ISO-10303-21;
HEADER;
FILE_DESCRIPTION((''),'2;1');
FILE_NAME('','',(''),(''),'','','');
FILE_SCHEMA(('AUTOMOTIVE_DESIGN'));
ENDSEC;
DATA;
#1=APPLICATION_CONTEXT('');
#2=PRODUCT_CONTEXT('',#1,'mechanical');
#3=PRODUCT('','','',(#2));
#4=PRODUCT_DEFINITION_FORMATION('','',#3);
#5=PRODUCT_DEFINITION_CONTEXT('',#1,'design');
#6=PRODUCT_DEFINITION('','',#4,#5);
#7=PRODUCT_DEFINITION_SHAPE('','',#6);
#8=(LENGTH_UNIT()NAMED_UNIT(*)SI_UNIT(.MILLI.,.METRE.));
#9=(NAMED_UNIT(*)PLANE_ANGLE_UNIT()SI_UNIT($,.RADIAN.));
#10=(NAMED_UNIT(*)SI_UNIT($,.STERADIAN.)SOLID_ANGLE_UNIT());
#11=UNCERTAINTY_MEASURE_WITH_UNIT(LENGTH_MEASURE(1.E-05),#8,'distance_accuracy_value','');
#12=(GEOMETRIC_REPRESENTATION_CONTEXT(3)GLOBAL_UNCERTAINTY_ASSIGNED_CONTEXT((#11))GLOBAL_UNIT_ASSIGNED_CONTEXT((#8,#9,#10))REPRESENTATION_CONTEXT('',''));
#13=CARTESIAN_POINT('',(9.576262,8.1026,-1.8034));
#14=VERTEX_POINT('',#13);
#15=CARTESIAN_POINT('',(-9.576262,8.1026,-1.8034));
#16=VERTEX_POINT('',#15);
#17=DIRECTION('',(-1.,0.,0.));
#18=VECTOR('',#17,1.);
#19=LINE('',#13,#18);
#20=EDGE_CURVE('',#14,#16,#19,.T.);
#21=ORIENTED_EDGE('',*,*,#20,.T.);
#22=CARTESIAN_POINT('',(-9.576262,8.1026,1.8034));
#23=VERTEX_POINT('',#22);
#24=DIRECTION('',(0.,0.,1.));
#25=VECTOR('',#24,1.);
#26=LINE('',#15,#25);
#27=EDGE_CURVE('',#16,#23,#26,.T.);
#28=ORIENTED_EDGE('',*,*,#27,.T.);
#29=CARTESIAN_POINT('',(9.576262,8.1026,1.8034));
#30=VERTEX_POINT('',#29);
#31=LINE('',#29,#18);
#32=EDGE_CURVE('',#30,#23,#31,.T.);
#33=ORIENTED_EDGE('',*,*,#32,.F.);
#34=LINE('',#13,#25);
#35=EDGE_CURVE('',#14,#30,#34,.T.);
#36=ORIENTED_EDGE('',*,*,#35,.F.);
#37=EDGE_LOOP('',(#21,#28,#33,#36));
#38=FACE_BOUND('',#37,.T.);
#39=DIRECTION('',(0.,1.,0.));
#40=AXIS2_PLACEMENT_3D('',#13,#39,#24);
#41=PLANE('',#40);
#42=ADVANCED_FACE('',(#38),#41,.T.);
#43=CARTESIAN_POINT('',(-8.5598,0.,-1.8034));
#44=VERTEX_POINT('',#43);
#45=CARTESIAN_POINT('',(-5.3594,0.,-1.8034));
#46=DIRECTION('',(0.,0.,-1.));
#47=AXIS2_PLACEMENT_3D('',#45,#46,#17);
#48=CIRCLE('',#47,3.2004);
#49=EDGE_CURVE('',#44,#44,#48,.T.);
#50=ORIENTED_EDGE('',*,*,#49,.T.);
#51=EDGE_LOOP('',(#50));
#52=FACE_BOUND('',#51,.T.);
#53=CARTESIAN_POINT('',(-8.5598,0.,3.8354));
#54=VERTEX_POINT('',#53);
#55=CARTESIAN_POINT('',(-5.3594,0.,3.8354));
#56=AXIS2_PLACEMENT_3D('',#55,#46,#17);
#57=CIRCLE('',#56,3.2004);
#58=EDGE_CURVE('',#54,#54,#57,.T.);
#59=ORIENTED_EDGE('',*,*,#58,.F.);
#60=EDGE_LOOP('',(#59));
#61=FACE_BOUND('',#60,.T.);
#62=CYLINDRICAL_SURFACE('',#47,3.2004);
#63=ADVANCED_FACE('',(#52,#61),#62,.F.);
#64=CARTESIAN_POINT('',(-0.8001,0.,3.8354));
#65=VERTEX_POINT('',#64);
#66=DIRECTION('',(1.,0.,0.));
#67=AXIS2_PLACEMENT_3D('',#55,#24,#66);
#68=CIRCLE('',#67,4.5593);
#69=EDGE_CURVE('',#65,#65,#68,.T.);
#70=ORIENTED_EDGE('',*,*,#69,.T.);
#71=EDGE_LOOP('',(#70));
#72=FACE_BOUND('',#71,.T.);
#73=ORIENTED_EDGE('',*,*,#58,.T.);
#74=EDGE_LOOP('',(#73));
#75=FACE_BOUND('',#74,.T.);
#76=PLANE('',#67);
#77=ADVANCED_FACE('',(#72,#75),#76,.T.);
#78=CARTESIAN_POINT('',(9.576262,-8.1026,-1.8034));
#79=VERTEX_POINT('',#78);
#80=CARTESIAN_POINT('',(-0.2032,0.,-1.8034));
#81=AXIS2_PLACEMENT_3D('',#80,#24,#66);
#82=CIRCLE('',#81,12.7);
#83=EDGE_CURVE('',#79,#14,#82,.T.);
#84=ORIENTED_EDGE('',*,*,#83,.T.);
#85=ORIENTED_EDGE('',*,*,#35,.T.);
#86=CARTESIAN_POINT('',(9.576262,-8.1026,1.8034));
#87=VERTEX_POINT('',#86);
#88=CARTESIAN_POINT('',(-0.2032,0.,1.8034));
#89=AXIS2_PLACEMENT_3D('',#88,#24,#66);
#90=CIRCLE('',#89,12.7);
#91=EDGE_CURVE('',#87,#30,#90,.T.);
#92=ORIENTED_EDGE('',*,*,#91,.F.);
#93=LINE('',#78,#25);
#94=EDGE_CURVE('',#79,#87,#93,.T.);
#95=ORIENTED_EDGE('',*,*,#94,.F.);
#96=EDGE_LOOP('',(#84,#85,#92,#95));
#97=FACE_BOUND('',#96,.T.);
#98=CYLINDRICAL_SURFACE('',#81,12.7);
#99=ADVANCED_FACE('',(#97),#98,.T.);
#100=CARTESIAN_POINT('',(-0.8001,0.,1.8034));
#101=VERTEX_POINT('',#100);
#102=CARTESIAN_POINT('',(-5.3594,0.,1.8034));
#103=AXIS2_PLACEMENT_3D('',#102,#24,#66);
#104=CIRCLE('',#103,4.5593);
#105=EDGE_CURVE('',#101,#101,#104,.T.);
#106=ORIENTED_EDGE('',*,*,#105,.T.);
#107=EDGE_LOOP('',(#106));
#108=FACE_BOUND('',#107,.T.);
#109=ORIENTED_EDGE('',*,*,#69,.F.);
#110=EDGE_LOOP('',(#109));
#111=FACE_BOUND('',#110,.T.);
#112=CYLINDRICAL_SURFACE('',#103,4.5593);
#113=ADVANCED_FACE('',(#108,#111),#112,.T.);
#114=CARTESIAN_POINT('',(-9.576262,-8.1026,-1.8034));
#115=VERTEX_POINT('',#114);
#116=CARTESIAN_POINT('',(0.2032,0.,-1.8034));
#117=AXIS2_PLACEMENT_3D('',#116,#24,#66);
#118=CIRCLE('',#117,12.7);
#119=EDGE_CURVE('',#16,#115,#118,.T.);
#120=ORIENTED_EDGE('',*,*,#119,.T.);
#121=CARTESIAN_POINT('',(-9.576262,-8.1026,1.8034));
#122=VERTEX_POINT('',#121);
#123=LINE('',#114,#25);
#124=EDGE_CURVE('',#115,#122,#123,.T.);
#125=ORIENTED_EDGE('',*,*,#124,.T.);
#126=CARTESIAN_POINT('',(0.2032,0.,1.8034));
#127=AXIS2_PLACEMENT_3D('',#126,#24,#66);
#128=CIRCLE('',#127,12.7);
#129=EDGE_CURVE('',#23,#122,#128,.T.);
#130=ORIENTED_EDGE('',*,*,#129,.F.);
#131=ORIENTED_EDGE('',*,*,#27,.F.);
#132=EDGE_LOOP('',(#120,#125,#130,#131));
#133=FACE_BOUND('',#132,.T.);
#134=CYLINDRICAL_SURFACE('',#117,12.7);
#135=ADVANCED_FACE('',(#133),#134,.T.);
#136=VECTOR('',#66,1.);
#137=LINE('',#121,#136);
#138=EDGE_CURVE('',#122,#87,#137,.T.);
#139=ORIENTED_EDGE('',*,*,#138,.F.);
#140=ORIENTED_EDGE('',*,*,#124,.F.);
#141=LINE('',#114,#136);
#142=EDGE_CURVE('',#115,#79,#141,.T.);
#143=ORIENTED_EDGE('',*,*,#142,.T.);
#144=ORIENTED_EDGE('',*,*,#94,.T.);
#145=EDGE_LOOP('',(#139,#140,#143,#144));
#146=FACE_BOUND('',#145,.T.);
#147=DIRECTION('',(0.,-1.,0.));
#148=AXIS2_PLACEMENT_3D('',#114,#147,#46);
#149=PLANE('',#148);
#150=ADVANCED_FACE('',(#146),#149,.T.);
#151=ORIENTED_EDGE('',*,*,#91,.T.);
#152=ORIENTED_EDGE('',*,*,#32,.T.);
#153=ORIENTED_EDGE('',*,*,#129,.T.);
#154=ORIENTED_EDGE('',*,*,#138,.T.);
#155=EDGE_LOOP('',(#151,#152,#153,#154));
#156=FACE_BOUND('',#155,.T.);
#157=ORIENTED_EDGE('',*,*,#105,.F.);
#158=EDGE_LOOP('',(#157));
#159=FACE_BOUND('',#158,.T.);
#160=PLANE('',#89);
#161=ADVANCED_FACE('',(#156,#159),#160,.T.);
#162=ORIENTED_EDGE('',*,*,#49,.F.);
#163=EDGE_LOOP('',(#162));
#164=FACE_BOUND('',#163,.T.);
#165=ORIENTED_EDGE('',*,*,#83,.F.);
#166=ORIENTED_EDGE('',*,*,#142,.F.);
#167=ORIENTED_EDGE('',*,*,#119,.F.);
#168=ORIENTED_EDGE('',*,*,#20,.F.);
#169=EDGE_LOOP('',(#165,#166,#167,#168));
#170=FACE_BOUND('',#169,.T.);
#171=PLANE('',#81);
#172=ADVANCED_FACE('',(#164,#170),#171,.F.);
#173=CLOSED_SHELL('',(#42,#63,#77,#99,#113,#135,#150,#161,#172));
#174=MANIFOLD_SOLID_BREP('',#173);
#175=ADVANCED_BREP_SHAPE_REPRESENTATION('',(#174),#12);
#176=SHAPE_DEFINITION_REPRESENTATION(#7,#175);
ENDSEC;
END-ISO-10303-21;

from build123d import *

# Parameters (mm, degrees)
BOSS_EXTRUDE1_DEPTH = 3.6068
SKETCH2_W           = 4.5593
SKETCH2_H           = 2.032
HOLE1_D             = 6.4008
HOLE1_DEPTH         = 5.6388


with BuildPart() as part:
    # Sketch1 → Boss-Extrude1 (new body)
    with BuildSketch(Plane.XY.offset(1.8034)):
        with BuildLine():
            Line((9.576261807, 8.1026), (-9.576261807, 8.1026))
            ThreePointArc((-9.576261807, 8.1026), (-12.4968, 0), (-9.576261807, -8.1026))
            Line((-9.576261807, -8.1026), (9.576261807, -8.1026))
            ThreePointArc((9.576261807, -8.1026), (12.4968, 0), (9.576261807, 8.1026))
        make_face()
    extrude(amount=-BOSS_EXTRUDE1_DEPTH)

    # Sketch2 → Revolve1 (revolve)
    with BuildSketch(Plane(origin=(0, 0, 0), x_dir=(1, 0, 0), z_dir=(0, 1, 0))):
        with Locations((-3.07975, -2.8194)):
            Rectangle(SKETCH2_W, SKETCH2_H)
    revolve(axis=Axis((-5.3594, 0, 1.8034), (0, 0, 1)))

    # Hole1
    with Locations(Plane(origin=(0, 0, -1.8034), x_dir=(-1, 0, 0), z_dir=(0, 0, -1))):
        with Locations((5.3594, 0)):
            Hole(HOLE1_D / 2, depth=HOLE1_DEPTH)


solid = part.part
